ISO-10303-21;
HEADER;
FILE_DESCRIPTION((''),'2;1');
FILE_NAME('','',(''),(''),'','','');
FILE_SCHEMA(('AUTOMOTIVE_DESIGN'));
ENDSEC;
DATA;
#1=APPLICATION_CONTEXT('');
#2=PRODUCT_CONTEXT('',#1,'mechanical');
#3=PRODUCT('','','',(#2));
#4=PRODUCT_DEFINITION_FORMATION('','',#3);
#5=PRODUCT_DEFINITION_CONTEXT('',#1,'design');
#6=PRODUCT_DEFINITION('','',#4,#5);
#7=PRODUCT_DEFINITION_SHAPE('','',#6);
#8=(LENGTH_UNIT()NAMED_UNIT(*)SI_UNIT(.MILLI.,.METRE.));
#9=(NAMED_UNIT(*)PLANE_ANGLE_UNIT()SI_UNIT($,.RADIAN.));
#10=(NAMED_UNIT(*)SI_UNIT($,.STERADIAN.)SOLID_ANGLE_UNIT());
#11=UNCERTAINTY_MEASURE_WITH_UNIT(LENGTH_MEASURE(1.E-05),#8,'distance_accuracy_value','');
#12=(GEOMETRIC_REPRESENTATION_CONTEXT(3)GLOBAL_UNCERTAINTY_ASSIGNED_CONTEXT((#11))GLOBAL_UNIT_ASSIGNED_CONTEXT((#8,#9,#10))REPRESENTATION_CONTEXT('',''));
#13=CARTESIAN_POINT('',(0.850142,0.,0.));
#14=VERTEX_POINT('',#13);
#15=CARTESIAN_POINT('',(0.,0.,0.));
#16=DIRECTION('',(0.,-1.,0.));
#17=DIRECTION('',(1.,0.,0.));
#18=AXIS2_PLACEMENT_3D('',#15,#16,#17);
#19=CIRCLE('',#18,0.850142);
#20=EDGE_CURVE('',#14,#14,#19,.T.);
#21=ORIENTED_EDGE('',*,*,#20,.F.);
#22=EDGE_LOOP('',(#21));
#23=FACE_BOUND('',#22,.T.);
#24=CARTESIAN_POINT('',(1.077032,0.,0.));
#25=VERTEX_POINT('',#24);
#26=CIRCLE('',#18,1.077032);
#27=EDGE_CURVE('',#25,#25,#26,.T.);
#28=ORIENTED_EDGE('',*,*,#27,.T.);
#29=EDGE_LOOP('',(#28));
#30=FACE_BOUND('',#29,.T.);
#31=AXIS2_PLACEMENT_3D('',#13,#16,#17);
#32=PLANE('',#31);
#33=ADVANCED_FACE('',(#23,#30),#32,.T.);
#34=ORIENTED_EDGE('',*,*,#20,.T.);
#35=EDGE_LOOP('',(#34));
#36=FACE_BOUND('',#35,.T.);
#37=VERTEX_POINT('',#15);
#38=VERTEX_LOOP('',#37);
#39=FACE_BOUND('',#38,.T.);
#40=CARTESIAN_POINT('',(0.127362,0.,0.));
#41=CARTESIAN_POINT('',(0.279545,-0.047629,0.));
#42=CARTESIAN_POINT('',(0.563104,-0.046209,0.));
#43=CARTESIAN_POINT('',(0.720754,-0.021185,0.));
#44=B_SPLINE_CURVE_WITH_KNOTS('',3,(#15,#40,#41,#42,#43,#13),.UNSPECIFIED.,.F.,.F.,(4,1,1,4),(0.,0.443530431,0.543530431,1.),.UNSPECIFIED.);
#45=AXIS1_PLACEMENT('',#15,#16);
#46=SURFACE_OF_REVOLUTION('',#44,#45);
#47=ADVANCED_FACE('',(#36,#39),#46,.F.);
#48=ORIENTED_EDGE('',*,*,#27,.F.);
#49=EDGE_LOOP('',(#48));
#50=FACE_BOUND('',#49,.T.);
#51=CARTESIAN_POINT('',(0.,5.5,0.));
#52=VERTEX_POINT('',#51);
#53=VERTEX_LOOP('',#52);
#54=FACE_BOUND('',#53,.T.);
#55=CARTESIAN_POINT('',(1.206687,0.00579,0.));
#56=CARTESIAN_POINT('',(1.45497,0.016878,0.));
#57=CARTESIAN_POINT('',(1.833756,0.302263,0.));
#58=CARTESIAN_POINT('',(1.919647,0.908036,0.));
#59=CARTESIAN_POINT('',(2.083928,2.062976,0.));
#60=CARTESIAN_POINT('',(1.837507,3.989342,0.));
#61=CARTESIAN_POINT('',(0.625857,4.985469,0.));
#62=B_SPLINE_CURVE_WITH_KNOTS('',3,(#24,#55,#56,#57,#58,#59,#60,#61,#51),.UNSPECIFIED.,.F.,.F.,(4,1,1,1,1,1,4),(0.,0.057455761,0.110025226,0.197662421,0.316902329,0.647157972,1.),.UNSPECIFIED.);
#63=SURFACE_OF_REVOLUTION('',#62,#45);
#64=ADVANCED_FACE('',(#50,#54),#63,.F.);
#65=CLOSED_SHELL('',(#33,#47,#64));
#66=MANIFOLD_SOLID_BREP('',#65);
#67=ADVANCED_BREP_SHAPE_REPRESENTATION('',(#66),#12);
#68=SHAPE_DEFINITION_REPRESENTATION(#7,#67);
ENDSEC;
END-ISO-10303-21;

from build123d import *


with BuildPart() as part:
    # 草圖1 → 旋轉1 (revolve)
    with BuildSketch(Plane.XY):
        with BuildLine():
            Line((0, 0), (0, 5.5))
            add(Edge.make_bspline(
                [(1.0770319, 0), (1.206686902, 0.005790132), (1.454970461, 0.016877977), (1.833756203, 0.302263081), (1.919646684, 0.908035539), (2.083928352, 2.062976098), (1.837507142, 3.989342222), (0.625856647, 4.985468551), (0, 5.5)],
                knots=[0, 0, 0, 0, 0.057455761, 0.110025226, 0.197662421, 0.316902329, 0.647157972, 1, 1, 1, 1], degree=3))
            Line((1.0770319, 0), (0.850142369, 0))
            add(Edge.make_bspline(
                [(0.850142369, 0), (0.720754248, -0.021184794), (0.563104229, -0.046209171), (0.279544699, -0.047629042), (0.127362274, 0), (0, 0)],
                knots=[0, 0, 0, 0, 0.456469569, 0.556469569, 1, 1, 1, 1], degree=3))
        make_face()
    revolve(axis=Axis((0, 0, 0), (0, 1, 0)))


solid = part.part
